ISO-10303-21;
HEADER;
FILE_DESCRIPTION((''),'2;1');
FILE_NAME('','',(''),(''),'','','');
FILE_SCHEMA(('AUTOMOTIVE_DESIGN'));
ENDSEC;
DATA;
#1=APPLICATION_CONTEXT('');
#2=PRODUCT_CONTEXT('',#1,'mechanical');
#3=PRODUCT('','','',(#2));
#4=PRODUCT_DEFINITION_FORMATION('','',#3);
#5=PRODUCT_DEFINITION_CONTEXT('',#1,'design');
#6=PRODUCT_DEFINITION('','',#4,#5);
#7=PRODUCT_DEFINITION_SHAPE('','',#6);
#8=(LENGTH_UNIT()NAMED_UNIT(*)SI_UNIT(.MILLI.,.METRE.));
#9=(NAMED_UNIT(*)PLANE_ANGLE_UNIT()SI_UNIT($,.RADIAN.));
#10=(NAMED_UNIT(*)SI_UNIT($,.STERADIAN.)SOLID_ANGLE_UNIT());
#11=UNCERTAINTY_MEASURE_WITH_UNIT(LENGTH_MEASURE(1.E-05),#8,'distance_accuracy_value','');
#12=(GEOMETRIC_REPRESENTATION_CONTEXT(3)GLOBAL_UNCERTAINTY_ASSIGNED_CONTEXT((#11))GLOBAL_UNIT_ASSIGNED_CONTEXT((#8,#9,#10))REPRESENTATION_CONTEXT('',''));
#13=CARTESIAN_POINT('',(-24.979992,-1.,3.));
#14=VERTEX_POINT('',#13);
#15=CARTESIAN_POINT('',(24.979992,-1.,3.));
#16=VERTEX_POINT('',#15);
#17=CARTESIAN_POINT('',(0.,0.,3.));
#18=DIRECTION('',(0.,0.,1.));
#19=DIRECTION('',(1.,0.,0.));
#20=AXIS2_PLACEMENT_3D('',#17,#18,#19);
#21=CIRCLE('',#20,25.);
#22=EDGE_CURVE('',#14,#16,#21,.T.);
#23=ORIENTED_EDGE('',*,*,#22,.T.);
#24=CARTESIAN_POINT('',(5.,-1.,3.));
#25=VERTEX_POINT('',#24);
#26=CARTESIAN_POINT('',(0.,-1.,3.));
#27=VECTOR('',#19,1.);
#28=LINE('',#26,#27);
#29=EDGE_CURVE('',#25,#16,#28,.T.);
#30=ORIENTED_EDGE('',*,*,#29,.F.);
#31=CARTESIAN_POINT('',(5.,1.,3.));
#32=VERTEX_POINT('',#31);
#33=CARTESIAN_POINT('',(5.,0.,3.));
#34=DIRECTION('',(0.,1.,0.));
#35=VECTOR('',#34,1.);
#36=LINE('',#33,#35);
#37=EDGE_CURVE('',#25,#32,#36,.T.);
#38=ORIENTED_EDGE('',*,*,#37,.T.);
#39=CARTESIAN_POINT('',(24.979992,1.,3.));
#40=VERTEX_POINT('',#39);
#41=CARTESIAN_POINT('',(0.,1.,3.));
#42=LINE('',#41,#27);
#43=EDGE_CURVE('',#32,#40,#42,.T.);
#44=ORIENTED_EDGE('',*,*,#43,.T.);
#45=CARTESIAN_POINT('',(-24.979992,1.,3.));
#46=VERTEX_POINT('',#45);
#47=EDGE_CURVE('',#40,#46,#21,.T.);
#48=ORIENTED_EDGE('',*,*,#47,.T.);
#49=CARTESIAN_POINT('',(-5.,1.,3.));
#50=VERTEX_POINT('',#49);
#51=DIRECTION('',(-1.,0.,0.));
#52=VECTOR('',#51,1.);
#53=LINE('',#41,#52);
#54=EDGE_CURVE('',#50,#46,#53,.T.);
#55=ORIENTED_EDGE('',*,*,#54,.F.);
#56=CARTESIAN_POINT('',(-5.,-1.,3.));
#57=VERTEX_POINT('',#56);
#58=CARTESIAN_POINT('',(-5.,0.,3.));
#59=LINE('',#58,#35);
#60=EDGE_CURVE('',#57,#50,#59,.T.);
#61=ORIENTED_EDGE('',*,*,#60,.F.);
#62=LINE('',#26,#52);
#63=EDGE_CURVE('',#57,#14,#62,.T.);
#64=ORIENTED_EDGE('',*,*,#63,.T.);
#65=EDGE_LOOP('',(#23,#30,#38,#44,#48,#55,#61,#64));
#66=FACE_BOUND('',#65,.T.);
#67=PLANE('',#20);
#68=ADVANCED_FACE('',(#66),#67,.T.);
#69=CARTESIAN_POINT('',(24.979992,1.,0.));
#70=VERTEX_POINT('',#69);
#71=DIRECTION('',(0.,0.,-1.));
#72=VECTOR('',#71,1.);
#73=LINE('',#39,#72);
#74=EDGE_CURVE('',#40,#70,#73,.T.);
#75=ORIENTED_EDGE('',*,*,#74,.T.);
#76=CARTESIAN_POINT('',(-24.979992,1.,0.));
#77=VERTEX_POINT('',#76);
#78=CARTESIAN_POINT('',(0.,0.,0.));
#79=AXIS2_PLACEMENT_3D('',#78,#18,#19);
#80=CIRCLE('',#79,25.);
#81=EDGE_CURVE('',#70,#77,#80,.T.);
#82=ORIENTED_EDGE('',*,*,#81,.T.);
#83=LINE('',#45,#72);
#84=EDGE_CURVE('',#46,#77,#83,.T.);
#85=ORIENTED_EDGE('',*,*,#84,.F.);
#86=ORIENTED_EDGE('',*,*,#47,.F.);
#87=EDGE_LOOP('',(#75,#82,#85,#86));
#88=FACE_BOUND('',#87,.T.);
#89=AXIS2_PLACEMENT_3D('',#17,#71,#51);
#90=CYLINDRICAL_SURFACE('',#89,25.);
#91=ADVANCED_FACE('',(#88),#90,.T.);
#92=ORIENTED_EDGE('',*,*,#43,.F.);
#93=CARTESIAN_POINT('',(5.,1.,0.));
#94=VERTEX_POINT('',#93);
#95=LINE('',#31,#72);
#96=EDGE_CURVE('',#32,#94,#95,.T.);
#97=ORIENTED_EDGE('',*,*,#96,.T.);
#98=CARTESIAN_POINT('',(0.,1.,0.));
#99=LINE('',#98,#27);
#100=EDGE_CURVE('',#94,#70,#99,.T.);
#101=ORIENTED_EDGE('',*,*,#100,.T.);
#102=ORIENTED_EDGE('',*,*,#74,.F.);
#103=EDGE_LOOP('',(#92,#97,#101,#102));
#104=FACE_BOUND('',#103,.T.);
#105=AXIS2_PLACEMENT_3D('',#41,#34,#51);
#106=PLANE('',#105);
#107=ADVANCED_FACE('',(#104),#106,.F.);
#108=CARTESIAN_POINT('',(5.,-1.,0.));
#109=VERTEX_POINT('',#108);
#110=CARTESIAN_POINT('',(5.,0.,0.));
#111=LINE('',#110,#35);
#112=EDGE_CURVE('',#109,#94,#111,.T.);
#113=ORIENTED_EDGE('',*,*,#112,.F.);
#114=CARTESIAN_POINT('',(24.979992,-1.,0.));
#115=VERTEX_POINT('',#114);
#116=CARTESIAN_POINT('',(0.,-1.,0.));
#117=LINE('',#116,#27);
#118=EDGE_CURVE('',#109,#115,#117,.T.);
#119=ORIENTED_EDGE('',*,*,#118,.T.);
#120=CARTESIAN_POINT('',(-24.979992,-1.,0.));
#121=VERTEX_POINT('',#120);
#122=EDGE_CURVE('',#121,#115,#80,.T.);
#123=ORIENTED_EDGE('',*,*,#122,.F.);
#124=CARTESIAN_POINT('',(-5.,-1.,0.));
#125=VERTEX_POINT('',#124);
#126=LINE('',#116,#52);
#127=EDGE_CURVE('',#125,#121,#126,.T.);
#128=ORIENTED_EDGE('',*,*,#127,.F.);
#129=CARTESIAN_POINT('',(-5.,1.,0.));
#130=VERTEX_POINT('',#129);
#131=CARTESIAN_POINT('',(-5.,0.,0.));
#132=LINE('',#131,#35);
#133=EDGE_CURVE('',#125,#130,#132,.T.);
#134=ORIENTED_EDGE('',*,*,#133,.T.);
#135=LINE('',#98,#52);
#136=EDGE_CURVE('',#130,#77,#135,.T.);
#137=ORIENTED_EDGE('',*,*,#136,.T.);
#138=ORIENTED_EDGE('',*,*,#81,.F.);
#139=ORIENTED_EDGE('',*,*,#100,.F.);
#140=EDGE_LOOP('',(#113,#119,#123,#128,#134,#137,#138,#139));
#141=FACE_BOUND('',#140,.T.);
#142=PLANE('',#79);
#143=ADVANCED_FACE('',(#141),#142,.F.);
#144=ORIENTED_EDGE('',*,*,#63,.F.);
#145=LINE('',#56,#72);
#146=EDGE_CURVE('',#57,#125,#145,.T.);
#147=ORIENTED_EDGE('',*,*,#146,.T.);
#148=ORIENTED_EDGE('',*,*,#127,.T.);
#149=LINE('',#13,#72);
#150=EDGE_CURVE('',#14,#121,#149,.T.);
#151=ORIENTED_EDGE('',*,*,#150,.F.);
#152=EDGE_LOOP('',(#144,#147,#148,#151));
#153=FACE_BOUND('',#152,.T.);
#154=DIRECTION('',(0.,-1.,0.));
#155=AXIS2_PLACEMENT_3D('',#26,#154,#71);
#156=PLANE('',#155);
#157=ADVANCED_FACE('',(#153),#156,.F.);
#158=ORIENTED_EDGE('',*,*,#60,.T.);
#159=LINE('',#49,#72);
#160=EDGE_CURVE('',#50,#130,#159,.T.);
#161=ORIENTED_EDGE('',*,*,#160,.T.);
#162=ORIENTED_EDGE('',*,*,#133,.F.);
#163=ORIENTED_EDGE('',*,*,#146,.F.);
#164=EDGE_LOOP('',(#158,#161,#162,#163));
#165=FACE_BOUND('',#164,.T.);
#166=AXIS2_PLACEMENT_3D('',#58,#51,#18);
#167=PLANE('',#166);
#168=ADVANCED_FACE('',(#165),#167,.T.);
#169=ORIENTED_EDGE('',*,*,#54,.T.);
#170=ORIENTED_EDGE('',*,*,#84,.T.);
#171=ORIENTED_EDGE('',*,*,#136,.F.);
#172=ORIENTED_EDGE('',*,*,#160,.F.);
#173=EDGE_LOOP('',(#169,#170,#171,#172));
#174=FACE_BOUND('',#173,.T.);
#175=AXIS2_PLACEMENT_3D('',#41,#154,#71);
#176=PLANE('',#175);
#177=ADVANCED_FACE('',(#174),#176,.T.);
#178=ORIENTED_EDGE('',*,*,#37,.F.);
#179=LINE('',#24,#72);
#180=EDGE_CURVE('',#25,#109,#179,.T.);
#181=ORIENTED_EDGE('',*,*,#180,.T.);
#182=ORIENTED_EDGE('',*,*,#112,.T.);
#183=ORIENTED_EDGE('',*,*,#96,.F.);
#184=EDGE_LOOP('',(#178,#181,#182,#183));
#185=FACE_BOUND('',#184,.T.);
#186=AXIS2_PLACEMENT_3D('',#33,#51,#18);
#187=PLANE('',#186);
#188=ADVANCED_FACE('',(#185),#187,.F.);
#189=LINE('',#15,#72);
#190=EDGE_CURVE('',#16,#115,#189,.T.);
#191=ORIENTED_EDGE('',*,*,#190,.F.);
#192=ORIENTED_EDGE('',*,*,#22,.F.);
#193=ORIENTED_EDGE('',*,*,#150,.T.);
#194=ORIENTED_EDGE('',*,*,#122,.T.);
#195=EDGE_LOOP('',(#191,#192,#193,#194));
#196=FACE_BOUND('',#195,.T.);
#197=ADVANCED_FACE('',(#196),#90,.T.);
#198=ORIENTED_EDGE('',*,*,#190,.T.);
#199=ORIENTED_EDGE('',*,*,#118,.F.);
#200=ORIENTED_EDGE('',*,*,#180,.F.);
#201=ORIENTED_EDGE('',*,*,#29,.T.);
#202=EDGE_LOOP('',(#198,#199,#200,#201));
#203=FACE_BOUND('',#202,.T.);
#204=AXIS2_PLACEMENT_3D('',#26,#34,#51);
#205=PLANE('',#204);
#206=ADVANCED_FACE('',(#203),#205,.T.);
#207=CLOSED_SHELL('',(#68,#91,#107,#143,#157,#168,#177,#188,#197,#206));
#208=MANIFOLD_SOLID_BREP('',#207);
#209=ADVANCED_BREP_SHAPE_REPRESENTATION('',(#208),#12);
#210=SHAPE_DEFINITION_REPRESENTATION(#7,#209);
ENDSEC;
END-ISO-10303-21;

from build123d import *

# Parameters (mm, degrees)
SKETCH1_R           = 25
BOSS_EXTRUDE1_DEPTH = 3
CUT_EXTRUDE1_DEPTH  = 3


with BuildPart() as part:
    # Sketch1 → Boss-Extrude1 (new body)
    with BuildSketch(Plane.XY):
        Circle(SKETCH1_R)
    extrude(amount=BOSS_EXTRUDE1_DEPTH)

    # Sketch2 → Cut-Extrude1 (cut)
    with BuildSketch(Plane(origin=(0, 0, 0), x_dir=(-1, 0, 0), z_dir=(0, 0, -1))):
        with BuildLine():
            Line((-24.979991994, -1), (-5, -1))
            Line((-5, -1), (-5, 1))
            Line((-5, 1), (-24.979991994, 1))
            ThreePointArc((-24.979991994, 1), (-25, 0), (-24.979991994, -1))
        make_face()
        with BuildLine():
            Line((5, 1), (5, -1))
            Line((5, -1), (24.979991994, -1))
            ThreePointArc((24.979991994, -1), (24.994997498, -0.50010007), (25, 0))
            ThreePointArc((25, 0), (24.994997498, 0.50010007), (24.979991994, 1))
            Line((24.979991994, 1), (5, 1))
        make_face()
    extrude(amount=-CUT_EXTRUDE1_DEPTH, mode=Mode.SUBTRACT)


solid = part.part
